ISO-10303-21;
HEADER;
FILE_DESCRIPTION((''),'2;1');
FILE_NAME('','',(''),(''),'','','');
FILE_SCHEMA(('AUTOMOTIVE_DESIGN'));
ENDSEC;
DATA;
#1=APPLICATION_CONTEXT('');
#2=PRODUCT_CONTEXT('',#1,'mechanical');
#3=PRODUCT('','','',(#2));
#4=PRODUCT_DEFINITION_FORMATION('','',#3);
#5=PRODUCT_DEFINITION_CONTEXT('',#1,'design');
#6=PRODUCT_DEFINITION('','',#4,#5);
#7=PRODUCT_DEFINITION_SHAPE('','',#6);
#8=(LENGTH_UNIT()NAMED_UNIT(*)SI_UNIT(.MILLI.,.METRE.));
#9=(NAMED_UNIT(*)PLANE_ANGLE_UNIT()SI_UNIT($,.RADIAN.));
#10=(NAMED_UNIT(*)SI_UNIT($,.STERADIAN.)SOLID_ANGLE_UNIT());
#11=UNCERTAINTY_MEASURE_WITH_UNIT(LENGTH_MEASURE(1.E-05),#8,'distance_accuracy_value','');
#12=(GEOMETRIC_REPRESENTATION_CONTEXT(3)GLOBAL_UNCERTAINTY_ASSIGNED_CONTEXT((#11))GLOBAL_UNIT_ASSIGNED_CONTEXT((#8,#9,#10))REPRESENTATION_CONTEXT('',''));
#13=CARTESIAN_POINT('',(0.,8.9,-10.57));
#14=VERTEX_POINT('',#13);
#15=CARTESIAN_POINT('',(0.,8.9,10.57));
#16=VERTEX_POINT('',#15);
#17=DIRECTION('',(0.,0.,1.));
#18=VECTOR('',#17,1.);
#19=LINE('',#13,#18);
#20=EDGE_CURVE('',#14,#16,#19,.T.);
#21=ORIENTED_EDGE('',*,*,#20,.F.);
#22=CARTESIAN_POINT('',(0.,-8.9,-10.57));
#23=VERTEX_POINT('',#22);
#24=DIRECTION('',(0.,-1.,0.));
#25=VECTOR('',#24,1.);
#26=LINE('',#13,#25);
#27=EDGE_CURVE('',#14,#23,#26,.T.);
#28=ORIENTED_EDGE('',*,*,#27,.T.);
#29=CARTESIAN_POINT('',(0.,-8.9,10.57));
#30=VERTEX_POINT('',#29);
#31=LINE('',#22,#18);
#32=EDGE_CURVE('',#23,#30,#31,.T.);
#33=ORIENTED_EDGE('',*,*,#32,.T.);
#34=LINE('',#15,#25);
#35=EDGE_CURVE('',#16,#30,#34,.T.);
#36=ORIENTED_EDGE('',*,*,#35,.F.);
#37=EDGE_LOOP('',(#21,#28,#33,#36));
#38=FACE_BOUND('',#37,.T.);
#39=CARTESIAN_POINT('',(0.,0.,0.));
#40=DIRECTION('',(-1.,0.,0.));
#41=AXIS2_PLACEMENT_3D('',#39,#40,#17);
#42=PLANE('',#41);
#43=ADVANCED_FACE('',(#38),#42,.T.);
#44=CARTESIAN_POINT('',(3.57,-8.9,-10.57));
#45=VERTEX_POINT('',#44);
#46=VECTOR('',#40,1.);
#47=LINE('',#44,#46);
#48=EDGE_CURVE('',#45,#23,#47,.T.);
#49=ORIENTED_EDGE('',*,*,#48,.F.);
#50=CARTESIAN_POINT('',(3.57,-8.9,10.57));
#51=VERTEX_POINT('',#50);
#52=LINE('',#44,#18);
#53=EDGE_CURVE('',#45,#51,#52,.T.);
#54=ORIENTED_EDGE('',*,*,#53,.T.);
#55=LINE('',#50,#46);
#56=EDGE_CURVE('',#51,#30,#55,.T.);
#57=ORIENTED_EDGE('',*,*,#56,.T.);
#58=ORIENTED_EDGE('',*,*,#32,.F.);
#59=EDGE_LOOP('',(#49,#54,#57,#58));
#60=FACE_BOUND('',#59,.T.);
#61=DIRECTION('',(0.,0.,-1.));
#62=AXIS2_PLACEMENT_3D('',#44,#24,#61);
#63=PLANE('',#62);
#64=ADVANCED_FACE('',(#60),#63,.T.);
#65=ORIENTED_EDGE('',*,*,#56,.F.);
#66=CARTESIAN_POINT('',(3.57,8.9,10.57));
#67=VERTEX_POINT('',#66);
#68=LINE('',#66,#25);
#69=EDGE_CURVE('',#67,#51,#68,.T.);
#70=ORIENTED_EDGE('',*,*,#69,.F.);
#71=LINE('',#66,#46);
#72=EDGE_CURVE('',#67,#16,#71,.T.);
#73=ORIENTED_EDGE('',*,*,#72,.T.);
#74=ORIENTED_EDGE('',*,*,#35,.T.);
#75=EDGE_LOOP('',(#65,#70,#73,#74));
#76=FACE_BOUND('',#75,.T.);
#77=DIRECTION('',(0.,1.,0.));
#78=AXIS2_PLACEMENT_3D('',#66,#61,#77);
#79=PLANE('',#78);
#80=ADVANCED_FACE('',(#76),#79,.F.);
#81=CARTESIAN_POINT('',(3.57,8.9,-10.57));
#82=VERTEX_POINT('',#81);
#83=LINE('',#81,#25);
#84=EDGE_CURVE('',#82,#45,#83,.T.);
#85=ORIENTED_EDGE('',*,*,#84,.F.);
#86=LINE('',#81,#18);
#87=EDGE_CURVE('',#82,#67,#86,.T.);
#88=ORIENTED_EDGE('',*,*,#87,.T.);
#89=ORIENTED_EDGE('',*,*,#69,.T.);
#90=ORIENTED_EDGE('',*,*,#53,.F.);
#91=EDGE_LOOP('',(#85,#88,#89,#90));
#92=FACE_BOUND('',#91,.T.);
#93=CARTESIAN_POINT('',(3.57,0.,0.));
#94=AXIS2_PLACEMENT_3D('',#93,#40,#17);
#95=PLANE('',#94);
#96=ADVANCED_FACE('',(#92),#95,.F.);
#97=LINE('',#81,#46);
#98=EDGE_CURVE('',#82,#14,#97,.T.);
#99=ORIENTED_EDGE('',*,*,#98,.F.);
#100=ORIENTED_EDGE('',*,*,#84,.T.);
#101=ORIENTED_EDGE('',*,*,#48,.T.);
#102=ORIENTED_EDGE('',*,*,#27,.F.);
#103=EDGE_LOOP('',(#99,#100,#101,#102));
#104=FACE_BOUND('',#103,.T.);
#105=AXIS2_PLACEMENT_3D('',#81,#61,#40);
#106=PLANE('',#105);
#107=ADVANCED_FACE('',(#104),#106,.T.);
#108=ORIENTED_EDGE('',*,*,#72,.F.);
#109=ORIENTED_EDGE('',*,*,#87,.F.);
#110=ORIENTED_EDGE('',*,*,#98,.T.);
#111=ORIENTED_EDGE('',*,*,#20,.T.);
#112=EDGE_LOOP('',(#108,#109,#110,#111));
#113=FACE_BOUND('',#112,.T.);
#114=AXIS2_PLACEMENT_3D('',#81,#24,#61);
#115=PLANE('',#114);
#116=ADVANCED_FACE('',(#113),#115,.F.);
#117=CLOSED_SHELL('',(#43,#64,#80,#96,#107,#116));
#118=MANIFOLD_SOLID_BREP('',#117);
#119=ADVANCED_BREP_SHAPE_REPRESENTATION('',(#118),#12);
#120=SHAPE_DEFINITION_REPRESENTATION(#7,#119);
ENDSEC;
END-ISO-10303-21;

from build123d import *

# Parameters (mm, degrees)
SKETCH1_W           = 17.8
SKETCH1_H           = 21.14
BOSS_EXTRUDE1_DEPTH = 3.57


with BuildPart() as part:
    # Sketch1 → Boss-Extrude1 (new body)
    with BuildSketch(Plane.YZ):
        Rectangle(SKETCH1_W, SKETCH1_H)
    extrude(amount=BOSS_EXTRUDE1_DEPTH)


solid = part.part
